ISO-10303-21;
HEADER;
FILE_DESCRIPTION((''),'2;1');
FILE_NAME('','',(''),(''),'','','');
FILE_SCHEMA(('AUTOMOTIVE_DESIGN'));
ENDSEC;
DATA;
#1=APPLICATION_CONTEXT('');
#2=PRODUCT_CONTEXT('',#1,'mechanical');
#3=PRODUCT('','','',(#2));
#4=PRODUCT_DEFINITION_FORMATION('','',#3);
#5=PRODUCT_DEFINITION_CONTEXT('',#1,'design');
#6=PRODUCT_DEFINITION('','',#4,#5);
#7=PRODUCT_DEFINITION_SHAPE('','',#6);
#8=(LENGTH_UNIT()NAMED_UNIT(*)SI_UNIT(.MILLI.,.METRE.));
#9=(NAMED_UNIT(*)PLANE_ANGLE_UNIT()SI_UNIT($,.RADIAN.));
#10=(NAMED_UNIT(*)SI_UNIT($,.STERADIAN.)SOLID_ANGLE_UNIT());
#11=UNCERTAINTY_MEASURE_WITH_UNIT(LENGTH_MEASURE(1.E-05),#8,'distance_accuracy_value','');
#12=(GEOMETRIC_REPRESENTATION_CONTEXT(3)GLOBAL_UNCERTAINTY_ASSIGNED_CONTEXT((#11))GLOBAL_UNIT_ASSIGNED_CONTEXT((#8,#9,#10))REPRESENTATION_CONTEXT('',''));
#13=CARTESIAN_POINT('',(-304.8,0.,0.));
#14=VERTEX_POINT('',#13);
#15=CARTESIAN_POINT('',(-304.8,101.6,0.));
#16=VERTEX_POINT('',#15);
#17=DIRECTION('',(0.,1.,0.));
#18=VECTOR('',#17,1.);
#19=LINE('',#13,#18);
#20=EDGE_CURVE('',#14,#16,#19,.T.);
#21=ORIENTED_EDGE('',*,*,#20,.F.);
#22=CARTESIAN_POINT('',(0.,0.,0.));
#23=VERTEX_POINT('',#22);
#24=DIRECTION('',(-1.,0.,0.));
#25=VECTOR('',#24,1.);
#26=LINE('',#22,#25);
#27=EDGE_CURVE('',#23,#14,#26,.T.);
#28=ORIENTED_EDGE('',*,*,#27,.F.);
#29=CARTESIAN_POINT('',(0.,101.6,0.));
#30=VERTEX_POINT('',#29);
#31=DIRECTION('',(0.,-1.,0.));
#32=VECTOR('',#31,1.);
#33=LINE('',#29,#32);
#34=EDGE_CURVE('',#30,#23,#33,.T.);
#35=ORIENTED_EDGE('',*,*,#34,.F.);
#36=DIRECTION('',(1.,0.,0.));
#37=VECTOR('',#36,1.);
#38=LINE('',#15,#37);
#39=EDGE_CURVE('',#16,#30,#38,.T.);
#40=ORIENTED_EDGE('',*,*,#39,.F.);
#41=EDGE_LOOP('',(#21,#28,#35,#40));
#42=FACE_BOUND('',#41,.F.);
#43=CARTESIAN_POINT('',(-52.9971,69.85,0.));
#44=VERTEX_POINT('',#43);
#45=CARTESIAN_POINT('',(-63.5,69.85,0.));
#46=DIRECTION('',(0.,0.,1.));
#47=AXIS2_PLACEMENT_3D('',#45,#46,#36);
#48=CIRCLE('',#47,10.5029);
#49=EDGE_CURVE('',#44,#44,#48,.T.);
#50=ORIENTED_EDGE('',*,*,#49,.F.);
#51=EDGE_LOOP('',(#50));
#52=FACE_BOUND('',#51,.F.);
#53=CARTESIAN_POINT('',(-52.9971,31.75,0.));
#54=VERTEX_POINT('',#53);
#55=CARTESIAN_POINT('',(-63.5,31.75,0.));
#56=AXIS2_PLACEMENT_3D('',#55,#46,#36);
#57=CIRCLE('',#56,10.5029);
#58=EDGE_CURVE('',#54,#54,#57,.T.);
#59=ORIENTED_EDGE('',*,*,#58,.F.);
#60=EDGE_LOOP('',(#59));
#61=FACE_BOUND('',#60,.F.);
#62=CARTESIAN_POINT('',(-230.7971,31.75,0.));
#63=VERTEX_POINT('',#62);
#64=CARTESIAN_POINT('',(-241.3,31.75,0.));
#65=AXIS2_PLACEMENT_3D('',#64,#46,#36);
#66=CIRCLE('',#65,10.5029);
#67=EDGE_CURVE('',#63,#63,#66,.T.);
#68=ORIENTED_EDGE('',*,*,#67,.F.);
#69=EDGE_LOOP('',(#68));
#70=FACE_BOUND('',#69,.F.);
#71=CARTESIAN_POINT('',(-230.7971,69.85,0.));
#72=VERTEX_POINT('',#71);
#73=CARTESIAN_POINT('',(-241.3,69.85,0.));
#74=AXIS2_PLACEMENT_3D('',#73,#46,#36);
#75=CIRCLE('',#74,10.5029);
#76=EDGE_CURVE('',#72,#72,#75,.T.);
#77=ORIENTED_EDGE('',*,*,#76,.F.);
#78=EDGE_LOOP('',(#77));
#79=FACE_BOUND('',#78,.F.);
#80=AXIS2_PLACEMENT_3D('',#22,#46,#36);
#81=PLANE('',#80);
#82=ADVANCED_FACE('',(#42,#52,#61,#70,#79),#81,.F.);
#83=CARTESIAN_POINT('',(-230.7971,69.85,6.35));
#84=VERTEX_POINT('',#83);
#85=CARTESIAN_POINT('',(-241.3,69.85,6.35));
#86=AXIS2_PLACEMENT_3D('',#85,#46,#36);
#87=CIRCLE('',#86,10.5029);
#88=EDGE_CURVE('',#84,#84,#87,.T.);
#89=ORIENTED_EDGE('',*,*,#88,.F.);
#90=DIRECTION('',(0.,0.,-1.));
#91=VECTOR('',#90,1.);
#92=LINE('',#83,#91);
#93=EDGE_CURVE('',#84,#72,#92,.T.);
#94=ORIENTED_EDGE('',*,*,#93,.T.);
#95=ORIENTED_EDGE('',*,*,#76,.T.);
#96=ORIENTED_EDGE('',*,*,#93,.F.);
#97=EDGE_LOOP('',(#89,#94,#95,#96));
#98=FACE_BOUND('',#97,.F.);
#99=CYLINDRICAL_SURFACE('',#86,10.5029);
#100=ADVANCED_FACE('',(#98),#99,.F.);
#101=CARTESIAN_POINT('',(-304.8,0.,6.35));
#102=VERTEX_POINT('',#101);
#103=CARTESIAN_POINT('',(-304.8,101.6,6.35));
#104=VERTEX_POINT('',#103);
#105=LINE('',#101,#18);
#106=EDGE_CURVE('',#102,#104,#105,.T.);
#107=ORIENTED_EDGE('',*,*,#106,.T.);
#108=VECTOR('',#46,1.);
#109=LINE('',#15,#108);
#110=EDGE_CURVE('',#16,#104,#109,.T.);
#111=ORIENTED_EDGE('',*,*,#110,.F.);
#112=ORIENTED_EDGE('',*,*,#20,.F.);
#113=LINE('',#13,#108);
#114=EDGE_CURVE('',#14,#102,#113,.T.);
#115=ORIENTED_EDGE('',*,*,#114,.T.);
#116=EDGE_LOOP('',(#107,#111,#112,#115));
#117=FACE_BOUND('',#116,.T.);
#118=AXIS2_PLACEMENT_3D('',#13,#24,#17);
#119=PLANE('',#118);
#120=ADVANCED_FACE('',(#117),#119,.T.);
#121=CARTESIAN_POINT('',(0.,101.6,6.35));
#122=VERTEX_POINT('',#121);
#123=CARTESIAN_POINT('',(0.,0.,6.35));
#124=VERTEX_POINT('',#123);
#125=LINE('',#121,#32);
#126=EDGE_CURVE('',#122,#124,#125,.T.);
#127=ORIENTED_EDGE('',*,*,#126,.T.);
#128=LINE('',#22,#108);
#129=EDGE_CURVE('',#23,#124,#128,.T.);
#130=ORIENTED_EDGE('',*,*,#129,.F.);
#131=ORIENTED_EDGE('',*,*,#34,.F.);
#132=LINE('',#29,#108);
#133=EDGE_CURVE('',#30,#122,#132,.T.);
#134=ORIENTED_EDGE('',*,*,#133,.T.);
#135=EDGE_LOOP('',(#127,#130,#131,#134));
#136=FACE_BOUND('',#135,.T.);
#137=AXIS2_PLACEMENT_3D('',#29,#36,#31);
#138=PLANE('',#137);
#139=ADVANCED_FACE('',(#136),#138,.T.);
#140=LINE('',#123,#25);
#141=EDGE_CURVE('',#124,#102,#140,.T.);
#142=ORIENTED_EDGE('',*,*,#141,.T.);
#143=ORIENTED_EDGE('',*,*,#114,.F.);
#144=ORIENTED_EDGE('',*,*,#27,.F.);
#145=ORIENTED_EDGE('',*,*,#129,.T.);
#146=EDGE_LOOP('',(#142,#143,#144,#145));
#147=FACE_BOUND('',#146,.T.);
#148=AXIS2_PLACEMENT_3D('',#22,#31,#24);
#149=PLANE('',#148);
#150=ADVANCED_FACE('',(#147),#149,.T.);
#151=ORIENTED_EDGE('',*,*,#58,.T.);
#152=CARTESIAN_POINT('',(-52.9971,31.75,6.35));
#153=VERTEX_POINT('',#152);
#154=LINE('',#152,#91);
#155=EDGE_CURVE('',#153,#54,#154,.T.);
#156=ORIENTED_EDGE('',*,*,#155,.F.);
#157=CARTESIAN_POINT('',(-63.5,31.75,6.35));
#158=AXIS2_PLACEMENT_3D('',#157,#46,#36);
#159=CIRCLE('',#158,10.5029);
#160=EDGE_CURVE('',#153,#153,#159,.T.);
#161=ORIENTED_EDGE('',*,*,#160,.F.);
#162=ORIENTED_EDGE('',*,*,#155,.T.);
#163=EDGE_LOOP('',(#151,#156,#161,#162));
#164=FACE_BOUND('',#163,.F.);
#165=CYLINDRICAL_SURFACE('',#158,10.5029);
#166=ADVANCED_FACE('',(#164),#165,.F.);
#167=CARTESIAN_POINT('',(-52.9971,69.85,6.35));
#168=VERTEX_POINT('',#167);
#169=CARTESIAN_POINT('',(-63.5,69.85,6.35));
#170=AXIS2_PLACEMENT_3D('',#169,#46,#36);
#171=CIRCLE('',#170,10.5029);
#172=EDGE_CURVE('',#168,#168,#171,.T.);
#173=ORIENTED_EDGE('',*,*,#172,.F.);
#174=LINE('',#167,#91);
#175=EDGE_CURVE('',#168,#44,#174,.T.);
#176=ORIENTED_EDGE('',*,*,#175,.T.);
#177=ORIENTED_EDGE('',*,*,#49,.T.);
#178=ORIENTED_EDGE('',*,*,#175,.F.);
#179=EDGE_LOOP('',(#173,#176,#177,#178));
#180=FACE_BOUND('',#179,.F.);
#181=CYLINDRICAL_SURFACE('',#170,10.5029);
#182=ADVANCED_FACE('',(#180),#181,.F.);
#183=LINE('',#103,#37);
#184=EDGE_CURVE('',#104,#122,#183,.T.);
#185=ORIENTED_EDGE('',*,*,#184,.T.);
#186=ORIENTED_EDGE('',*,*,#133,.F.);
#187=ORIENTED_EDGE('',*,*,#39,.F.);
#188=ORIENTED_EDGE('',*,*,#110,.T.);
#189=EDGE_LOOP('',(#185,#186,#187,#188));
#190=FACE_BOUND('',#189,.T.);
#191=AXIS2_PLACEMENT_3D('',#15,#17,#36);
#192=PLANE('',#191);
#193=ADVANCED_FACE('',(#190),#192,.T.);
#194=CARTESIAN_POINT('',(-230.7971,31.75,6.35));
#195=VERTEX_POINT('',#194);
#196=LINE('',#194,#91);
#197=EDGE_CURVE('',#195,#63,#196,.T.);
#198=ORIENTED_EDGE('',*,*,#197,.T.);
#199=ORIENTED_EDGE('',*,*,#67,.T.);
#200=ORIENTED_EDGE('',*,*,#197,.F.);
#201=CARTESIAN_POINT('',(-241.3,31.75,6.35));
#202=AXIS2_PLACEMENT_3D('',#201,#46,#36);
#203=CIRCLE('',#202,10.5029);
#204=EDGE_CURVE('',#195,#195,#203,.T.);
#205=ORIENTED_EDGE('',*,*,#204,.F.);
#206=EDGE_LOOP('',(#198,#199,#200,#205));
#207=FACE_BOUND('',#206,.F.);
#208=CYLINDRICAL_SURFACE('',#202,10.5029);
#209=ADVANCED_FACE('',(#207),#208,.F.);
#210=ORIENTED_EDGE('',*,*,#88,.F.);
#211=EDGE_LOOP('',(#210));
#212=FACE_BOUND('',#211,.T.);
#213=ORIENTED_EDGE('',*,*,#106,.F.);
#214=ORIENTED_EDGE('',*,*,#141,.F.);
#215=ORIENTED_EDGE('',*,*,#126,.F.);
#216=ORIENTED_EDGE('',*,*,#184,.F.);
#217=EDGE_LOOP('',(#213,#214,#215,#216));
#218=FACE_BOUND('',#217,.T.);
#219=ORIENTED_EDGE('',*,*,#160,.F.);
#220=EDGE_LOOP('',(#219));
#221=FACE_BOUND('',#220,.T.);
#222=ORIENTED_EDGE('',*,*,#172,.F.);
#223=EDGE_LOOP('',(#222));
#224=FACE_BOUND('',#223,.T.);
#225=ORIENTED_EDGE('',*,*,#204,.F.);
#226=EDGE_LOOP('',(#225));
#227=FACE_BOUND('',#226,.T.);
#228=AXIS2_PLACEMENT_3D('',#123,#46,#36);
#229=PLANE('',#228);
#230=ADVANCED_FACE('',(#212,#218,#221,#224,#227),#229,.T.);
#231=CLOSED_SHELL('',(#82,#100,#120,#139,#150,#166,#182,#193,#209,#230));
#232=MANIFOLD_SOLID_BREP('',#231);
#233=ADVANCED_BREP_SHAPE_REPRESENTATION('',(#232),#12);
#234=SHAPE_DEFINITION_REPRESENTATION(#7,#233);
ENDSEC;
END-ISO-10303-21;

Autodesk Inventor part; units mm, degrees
ref_plane "YZ Plane" through (0, 0, 0) normal (1, 0, 0) x (0, 1, 0)
ref_plane "XZ Plane" through (0, 0, 0) normal (0, 1, 0) x (-1, 0, 0)
ref_plane "XY Plane" through (0, 0, 0) normal (0, 0, 1) x (1, 0, 0)
sketch "Sketch1" plane through (0, 0, 0) normal (0, 0, 1) x (1, 0, 0)
  line L0 (0, 0) -> (-304.8, 0)
  line L1 (-304.8, 0) -> (-304.8, 101.6)
  line L2 (-304.8, 101.6) -> (0, 101.6)
  line L3 (0, 101.6) -> (0, 0)
  dimension "d0" = 304.8
  dimension "d1" = 101.6
extrude "Extrusion1" add sketch "Sketch1" along normal blind 6.35
sketch "Sketch2" plane through (0, 0, 6.35) normal (0, 0, 1) x (1, 0, 0)
  circle A0 centre (-241.3, 69.85) radius 10.5029
  line L0 (-304.8, 101.6) -> (0, 101.6) projected
  line L1 (-304.8, 101.6) -> (-304.8, 0) projected
  circle A1 centre (-241.3, 31.75) radius 10.5029
  circle A2 centre (-63.5, 69.85) radius 10.5029
  circle A3 centre (-63.5, 31.75) radius 10.5029
  point P0 (0, 0)
  dimension "d4" = 21.0058
  dimension "d5" = 31.75
  dimension "d6" = 63.5
  dimension "d9" = 38.1
  dimension "d12" = 177.8
extrude "Extrusion2" cut sketch "Sketch2" against normal blind 25.4
properties part number "longsides"
